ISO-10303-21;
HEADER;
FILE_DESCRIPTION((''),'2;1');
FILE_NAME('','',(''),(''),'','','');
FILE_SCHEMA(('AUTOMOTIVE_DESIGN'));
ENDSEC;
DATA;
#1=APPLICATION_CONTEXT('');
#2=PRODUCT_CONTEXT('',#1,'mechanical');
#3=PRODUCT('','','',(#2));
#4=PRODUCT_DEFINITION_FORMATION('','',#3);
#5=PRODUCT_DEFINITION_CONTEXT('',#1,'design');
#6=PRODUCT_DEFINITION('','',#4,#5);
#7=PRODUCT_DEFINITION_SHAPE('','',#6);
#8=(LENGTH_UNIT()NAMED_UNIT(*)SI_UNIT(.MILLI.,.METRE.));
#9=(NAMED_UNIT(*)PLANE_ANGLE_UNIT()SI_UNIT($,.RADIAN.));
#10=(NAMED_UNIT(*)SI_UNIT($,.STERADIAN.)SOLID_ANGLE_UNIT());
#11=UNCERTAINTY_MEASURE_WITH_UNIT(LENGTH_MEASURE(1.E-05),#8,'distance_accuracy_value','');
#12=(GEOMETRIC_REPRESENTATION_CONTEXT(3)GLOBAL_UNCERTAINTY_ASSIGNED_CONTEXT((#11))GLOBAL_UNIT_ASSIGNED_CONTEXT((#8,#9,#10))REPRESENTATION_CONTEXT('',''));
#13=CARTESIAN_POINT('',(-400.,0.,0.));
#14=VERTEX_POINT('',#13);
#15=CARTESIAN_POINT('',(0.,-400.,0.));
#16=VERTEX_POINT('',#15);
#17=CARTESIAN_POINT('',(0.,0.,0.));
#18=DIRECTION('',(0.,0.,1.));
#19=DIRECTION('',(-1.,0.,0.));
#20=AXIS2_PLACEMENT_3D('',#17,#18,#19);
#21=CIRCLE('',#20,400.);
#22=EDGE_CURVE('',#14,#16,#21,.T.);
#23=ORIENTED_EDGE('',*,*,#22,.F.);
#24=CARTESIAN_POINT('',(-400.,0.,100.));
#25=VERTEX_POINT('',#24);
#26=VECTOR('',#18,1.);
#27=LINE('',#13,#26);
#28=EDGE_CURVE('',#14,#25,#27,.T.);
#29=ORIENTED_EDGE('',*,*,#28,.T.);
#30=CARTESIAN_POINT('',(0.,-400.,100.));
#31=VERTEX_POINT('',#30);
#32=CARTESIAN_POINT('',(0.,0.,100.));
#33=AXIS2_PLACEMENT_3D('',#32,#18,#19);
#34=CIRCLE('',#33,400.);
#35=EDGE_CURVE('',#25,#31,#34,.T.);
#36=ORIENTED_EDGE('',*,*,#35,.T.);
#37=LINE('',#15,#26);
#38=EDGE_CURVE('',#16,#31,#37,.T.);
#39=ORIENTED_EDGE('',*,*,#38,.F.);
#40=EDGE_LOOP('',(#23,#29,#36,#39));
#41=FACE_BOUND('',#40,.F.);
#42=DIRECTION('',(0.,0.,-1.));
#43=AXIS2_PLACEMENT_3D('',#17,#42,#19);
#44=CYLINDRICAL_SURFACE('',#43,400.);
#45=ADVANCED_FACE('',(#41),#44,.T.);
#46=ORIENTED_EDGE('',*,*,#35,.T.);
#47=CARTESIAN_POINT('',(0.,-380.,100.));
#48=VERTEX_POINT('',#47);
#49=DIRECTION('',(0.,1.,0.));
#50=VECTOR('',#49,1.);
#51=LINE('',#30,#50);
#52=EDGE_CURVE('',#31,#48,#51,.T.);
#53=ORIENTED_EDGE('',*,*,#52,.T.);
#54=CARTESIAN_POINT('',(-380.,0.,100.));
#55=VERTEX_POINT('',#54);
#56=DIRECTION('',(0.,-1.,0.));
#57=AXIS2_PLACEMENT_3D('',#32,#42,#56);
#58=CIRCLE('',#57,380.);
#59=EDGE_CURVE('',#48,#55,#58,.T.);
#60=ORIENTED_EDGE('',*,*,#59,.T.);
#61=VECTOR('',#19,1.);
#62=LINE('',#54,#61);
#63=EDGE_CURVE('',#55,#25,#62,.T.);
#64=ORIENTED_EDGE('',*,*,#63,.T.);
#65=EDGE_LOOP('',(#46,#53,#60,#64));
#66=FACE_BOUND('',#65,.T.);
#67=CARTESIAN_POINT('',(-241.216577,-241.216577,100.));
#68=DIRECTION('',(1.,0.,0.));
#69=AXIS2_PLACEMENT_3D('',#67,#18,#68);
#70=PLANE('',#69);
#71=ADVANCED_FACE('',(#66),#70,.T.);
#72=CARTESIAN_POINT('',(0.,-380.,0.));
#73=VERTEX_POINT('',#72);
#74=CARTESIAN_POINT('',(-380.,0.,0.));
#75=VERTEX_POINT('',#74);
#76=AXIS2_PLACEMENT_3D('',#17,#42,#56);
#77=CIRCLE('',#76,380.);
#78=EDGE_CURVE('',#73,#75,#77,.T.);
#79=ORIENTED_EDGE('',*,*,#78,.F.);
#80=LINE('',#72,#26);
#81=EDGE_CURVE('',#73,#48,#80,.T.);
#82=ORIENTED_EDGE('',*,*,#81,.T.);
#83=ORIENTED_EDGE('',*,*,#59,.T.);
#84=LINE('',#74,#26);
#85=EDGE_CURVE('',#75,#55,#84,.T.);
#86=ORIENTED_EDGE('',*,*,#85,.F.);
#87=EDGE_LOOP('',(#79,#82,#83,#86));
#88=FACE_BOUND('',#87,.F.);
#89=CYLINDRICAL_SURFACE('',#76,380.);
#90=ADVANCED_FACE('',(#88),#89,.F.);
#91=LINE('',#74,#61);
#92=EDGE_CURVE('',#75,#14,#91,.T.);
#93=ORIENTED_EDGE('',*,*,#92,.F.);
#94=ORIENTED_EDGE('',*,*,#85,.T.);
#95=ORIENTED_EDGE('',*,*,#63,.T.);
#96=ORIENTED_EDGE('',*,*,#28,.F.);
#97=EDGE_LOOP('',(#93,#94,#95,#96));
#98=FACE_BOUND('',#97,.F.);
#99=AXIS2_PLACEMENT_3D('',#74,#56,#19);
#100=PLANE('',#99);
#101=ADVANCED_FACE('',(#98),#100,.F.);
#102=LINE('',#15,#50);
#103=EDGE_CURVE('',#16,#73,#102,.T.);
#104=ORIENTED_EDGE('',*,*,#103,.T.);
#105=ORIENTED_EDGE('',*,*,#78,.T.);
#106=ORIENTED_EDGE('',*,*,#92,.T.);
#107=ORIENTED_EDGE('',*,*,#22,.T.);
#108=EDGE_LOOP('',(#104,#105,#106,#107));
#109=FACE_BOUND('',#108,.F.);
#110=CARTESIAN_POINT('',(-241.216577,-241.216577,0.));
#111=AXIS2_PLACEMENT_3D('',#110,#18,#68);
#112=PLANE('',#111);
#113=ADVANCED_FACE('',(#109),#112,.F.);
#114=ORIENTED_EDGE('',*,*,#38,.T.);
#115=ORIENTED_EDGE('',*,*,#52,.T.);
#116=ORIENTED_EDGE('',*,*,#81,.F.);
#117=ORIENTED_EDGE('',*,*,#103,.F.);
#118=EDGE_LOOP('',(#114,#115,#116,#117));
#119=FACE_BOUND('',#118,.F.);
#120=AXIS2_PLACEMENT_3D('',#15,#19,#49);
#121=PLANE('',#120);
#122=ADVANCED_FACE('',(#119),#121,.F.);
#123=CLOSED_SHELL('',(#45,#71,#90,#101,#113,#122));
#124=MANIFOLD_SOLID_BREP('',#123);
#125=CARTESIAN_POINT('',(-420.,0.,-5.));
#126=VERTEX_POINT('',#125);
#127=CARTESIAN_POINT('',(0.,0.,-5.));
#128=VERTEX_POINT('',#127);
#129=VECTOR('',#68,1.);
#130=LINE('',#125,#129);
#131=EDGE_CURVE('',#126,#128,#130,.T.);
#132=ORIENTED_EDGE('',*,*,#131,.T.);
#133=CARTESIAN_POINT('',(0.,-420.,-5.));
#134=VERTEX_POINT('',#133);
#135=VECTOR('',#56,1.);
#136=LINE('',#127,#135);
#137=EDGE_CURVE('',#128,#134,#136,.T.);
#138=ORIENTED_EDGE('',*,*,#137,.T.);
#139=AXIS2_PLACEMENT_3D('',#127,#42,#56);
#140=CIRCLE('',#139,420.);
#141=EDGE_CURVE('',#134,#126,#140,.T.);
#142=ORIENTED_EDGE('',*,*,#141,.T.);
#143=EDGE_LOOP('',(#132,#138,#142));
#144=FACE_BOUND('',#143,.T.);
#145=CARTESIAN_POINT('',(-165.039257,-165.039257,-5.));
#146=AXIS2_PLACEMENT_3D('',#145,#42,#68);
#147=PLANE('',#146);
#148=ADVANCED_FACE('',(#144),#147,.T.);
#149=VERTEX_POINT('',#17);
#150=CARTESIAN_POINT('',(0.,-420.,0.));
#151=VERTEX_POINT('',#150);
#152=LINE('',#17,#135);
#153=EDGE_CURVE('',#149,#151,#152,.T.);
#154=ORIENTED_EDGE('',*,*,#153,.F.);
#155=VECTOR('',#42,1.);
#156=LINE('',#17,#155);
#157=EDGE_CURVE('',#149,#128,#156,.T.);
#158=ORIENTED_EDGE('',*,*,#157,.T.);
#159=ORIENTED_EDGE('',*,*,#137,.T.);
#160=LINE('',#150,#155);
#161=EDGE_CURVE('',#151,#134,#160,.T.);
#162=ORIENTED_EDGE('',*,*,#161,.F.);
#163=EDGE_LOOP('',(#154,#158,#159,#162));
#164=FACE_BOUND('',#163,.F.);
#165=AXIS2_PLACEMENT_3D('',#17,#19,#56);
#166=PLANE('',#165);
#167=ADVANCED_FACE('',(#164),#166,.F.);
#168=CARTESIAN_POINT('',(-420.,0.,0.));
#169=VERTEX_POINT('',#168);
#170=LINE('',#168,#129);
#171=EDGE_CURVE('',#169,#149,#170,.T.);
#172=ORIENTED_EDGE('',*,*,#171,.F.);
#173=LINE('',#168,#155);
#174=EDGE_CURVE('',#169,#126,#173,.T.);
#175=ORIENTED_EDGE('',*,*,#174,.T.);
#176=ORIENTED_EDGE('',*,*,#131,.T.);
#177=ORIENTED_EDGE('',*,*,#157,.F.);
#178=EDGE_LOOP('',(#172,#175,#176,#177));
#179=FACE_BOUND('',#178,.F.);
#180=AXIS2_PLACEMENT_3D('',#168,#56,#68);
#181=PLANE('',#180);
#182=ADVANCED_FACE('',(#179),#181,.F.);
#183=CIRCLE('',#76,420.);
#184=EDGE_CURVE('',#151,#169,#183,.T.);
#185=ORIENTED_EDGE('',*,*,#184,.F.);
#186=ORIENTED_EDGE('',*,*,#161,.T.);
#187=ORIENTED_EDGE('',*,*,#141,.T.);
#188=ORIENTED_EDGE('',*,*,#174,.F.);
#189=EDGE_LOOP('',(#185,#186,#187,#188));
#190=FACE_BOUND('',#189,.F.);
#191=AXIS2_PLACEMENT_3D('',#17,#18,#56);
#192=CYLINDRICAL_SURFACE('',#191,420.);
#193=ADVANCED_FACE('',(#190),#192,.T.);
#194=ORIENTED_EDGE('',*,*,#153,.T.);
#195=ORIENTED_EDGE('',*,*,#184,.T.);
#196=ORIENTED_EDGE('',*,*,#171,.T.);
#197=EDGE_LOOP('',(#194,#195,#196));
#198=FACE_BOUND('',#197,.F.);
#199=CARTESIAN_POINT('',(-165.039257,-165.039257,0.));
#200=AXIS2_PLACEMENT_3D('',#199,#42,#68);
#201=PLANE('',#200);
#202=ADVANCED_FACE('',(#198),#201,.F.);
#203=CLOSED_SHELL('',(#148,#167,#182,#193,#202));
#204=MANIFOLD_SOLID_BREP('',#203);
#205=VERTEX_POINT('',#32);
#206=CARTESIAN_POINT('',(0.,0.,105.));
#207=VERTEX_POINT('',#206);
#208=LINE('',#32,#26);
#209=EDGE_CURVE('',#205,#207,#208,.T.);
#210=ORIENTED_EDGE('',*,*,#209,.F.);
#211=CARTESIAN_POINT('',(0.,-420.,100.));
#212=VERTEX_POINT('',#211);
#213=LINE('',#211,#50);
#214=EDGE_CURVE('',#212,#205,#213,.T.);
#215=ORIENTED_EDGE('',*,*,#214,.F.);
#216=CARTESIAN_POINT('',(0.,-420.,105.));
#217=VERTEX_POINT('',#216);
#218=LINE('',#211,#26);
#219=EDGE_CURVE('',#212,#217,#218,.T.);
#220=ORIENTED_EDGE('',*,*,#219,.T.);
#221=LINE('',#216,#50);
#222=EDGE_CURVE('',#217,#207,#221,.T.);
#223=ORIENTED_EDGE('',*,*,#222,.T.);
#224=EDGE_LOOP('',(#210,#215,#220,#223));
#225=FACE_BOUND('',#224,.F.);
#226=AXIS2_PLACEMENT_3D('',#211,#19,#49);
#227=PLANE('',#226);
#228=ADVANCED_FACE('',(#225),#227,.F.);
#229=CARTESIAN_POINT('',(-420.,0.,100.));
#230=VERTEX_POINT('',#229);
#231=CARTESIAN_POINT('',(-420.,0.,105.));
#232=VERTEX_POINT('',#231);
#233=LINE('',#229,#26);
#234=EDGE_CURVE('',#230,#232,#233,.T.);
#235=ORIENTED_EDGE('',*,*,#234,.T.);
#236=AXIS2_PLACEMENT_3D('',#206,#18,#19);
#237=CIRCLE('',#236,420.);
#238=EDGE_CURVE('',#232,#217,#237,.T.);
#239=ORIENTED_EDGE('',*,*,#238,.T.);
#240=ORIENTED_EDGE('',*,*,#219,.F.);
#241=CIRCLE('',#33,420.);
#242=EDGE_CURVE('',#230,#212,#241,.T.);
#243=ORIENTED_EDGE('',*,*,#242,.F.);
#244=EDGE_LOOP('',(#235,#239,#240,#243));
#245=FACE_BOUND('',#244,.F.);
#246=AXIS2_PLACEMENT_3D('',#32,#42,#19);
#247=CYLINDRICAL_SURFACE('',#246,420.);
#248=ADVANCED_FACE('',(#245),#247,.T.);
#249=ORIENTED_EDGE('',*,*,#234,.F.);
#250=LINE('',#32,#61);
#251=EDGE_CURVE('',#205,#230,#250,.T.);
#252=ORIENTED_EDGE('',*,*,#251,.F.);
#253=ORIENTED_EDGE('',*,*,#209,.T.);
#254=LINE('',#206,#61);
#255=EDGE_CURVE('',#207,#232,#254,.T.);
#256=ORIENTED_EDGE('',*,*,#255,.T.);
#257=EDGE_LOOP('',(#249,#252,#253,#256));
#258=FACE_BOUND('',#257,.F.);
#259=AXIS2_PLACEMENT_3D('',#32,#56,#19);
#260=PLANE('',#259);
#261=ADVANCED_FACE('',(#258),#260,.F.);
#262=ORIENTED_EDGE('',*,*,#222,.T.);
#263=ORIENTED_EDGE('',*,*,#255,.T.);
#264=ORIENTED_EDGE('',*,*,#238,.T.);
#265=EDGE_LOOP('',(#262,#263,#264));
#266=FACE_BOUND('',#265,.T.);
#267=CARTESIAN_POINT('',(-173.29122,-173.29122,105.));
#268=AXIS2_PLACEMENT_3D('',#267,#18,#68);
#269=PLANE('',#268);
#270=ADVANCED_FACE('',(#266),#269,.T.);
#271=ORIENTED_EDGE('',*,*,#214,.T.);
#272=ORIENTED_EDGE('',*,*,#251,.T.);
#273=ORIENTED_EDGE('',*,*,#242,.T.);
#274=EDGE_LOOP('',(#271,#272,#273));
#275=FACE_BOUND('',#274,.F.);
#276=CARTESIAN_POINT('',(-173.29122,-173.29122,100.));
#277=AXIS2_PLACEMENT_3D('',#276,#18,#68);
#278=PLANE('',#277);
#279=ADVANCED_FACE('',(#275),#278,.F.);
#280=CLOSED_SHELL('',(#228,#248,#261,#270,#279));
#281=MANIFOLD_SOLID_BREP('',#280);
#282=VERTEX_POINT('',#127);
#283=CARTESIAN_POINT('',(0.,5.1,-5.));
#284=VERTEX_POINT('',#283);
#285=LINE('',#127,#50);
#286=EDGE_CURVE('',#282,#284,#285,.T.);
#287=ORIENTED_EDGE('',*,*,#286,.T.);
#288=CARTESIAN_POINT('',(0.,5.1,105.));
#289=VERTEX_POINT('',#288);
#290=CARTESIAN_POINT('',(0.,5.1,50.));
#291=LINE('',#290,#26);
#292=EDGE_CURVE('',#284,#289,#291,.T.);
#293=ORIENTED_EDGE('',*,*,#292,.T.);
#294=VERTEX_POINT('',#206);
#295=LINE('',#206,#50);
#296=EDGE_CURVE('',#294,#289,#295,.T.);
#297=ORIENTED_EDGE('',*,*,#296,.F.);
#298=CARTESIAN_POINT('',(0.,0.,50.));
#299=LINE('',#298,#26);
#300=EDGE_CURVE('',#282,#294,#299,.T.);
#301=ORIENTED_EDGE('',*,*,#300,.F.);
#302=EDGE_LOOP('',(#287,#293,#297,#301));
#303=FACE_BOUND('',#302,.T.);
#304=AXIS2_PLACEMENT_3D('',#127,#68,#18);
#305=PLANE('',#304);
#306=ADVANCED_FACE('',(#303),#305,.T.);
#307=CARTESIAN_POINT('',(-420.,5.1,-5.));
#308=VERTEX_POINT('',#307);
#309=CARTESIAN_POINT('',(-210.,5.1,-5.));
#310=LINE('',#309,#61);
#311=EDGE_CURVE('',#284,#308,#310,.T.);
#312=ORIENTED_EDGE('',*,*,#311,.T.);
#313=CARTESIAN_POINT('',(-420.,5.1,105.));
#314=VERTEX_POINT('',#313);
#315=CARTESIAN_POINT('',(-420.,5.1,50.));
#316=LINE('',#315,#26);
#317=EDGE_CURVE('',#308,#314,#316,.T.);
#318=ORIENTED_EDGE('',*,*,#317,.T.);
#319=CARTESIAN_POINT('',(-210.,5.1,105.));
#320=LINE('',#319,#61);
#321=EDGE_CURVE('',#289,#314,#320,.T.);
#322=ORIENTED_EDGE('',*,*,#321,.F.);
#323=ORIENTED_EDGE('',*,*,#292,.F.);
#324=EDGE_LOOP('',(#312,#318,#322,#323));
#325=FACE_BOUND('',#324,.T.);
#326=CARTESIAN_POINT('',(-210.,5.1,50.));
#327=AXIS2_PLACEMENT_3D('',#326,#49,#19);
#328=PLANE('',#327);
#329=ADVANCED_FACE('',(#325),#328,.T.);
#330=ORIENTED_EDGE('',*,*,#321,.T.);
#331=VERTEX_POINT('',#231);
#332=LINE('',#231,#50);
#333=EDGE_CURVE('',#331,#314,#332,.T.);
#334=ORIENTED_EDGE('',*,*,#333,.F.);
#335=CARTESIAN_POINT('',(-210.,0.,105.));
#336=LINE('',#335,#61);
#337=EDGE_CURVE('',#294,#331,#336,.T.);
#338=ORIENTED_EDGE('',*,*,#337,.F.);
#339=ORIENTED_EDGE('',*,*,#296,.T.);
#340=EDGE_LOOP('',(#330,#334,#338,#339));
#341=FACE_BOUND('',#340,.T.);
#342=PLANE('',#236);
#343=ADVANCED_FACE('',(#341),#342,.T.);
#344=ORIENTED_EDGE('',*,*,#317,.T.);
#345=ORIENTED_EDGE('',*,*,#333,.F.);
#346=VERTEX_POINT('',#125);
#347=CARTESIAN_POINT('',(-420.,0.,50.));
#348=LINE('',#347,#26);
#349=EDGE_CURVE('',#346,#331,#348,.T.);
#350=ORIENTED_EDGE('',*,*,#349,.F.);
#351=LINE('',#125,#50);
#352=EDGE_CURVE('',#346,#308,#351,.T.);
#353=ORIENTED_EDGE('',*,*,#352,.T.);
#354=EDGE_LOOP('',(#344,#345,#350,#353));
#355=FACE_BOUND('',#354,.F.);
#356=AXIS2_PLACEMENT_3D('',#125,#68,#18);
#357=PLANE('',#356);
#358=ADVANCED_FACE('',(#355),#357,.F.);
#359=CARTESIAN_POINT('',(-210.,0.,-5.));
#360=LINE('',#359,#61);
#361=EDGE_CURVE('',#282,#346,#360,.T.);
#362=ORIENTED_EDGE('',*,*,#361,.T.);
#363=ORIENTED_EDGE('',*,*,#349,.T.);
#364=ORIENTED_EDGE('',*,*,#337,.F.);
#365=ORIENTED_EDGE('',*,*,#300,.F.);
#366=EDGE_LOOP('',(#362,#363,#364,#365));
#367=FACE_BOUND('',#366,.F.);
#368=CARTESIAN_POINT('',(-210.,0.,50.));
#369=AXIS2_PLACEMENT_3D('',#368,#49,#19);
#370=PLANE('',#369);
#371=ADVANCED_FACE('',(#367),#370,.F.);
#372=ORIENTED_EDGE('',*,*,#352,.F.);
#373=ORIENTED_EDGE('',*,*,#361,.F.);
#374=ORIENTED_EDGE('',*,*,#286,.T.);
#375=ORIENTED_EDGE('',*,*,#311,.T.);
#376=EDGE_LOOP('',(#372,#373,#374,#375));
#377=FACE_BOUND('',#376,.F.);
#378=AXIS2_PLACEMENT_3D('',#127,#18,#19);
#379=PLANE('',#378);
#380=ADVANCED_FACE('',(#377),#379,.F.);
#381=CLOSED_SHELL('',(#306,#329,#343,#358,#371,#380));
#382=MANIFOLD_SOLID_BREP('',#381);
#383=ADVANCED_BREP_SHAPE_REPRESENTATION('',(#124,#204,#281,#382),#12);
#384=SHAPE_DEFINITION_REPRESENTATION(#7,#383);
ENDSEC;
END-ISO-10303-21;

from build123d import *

# Parameters (mm, degrees)
F1_DEPTH  = 100
F4_DEPTH  = 5
F7_DEPTH  = 5
F9_W      = 420
F9_H      = 110
F10_DEPTH = 5.1


with BuildPart() as f1:
    # F0 (on Top) → F1 (new body)
    with BuildSketch(Plane.XY):
        with BuildLine():
            ThreePointArc((0, -380), (-268.7005768509, -268.7005768509), (-380, 0))
            Line((-380, 0), (-400, 0))
            ThreePointArc((-400, 0), (-282.8427124746, -282.8427124746), (0, -400))
            Line((0, -400), (0, -380))
        make_face()
    extrude(amount=F1_DEPTH)


with BuildPart() as f4:
    # F3 (on offset) → F4 (new body)
    with BuildSketch(Plane(origin=(0, 0, 0), x_dir=(1, 0, 0), z_dir=(0, 0, -1))):
        with BuildLine():
            Line((-400, 0), (0, 0))
            Line((0, 0), (0, 400))
            ThreePointArc((0, 400), (-282.8427124746, 282.8427124746), (-400, 0))
        make_face()
        with BuildLine():
            ThreePointArc((-400, 0), (-282.8427124746, 282.8427124746), (0, 400))
            Line((0, 400), (0, 420))
            ThreePointArc((0, 420), (-296.9848480984, 296.9848480984), (-420, 0))
            Line((-420, 0), (-400, 0))
        make_face()
    extrude(amount=F4_DEPTH)


with BuildPart() as f7:
    # F6 (on offset) → F7 (new body)
    with BuildSketch(Plane.XY.offset(100)):
        with BuildLine():
            Line((0, -420), (0, 0))
            Line((0, 0), (-420, 0))
            ThreePointArc((-420, 0), (-296.9848480984, -296.9848480984), (0, -420))
        make_face()
    extrude(amount=F7_DEPTH)


with BuildPart() as f10:
    # F9 (on offset) → F10 (new body)
    with BuildSketch(Plane(origin=(0, 0, 0), x_dir=(-1, 0, 0), z_dir=(0, 1, 0))):
        with Locations((210, 50)):
            Rectangle(F9_W, F9_H)
    extrude(amount=F10_DEPTH)


solid = Compound([f1.part, f4.part, f7.part, f10.part])
